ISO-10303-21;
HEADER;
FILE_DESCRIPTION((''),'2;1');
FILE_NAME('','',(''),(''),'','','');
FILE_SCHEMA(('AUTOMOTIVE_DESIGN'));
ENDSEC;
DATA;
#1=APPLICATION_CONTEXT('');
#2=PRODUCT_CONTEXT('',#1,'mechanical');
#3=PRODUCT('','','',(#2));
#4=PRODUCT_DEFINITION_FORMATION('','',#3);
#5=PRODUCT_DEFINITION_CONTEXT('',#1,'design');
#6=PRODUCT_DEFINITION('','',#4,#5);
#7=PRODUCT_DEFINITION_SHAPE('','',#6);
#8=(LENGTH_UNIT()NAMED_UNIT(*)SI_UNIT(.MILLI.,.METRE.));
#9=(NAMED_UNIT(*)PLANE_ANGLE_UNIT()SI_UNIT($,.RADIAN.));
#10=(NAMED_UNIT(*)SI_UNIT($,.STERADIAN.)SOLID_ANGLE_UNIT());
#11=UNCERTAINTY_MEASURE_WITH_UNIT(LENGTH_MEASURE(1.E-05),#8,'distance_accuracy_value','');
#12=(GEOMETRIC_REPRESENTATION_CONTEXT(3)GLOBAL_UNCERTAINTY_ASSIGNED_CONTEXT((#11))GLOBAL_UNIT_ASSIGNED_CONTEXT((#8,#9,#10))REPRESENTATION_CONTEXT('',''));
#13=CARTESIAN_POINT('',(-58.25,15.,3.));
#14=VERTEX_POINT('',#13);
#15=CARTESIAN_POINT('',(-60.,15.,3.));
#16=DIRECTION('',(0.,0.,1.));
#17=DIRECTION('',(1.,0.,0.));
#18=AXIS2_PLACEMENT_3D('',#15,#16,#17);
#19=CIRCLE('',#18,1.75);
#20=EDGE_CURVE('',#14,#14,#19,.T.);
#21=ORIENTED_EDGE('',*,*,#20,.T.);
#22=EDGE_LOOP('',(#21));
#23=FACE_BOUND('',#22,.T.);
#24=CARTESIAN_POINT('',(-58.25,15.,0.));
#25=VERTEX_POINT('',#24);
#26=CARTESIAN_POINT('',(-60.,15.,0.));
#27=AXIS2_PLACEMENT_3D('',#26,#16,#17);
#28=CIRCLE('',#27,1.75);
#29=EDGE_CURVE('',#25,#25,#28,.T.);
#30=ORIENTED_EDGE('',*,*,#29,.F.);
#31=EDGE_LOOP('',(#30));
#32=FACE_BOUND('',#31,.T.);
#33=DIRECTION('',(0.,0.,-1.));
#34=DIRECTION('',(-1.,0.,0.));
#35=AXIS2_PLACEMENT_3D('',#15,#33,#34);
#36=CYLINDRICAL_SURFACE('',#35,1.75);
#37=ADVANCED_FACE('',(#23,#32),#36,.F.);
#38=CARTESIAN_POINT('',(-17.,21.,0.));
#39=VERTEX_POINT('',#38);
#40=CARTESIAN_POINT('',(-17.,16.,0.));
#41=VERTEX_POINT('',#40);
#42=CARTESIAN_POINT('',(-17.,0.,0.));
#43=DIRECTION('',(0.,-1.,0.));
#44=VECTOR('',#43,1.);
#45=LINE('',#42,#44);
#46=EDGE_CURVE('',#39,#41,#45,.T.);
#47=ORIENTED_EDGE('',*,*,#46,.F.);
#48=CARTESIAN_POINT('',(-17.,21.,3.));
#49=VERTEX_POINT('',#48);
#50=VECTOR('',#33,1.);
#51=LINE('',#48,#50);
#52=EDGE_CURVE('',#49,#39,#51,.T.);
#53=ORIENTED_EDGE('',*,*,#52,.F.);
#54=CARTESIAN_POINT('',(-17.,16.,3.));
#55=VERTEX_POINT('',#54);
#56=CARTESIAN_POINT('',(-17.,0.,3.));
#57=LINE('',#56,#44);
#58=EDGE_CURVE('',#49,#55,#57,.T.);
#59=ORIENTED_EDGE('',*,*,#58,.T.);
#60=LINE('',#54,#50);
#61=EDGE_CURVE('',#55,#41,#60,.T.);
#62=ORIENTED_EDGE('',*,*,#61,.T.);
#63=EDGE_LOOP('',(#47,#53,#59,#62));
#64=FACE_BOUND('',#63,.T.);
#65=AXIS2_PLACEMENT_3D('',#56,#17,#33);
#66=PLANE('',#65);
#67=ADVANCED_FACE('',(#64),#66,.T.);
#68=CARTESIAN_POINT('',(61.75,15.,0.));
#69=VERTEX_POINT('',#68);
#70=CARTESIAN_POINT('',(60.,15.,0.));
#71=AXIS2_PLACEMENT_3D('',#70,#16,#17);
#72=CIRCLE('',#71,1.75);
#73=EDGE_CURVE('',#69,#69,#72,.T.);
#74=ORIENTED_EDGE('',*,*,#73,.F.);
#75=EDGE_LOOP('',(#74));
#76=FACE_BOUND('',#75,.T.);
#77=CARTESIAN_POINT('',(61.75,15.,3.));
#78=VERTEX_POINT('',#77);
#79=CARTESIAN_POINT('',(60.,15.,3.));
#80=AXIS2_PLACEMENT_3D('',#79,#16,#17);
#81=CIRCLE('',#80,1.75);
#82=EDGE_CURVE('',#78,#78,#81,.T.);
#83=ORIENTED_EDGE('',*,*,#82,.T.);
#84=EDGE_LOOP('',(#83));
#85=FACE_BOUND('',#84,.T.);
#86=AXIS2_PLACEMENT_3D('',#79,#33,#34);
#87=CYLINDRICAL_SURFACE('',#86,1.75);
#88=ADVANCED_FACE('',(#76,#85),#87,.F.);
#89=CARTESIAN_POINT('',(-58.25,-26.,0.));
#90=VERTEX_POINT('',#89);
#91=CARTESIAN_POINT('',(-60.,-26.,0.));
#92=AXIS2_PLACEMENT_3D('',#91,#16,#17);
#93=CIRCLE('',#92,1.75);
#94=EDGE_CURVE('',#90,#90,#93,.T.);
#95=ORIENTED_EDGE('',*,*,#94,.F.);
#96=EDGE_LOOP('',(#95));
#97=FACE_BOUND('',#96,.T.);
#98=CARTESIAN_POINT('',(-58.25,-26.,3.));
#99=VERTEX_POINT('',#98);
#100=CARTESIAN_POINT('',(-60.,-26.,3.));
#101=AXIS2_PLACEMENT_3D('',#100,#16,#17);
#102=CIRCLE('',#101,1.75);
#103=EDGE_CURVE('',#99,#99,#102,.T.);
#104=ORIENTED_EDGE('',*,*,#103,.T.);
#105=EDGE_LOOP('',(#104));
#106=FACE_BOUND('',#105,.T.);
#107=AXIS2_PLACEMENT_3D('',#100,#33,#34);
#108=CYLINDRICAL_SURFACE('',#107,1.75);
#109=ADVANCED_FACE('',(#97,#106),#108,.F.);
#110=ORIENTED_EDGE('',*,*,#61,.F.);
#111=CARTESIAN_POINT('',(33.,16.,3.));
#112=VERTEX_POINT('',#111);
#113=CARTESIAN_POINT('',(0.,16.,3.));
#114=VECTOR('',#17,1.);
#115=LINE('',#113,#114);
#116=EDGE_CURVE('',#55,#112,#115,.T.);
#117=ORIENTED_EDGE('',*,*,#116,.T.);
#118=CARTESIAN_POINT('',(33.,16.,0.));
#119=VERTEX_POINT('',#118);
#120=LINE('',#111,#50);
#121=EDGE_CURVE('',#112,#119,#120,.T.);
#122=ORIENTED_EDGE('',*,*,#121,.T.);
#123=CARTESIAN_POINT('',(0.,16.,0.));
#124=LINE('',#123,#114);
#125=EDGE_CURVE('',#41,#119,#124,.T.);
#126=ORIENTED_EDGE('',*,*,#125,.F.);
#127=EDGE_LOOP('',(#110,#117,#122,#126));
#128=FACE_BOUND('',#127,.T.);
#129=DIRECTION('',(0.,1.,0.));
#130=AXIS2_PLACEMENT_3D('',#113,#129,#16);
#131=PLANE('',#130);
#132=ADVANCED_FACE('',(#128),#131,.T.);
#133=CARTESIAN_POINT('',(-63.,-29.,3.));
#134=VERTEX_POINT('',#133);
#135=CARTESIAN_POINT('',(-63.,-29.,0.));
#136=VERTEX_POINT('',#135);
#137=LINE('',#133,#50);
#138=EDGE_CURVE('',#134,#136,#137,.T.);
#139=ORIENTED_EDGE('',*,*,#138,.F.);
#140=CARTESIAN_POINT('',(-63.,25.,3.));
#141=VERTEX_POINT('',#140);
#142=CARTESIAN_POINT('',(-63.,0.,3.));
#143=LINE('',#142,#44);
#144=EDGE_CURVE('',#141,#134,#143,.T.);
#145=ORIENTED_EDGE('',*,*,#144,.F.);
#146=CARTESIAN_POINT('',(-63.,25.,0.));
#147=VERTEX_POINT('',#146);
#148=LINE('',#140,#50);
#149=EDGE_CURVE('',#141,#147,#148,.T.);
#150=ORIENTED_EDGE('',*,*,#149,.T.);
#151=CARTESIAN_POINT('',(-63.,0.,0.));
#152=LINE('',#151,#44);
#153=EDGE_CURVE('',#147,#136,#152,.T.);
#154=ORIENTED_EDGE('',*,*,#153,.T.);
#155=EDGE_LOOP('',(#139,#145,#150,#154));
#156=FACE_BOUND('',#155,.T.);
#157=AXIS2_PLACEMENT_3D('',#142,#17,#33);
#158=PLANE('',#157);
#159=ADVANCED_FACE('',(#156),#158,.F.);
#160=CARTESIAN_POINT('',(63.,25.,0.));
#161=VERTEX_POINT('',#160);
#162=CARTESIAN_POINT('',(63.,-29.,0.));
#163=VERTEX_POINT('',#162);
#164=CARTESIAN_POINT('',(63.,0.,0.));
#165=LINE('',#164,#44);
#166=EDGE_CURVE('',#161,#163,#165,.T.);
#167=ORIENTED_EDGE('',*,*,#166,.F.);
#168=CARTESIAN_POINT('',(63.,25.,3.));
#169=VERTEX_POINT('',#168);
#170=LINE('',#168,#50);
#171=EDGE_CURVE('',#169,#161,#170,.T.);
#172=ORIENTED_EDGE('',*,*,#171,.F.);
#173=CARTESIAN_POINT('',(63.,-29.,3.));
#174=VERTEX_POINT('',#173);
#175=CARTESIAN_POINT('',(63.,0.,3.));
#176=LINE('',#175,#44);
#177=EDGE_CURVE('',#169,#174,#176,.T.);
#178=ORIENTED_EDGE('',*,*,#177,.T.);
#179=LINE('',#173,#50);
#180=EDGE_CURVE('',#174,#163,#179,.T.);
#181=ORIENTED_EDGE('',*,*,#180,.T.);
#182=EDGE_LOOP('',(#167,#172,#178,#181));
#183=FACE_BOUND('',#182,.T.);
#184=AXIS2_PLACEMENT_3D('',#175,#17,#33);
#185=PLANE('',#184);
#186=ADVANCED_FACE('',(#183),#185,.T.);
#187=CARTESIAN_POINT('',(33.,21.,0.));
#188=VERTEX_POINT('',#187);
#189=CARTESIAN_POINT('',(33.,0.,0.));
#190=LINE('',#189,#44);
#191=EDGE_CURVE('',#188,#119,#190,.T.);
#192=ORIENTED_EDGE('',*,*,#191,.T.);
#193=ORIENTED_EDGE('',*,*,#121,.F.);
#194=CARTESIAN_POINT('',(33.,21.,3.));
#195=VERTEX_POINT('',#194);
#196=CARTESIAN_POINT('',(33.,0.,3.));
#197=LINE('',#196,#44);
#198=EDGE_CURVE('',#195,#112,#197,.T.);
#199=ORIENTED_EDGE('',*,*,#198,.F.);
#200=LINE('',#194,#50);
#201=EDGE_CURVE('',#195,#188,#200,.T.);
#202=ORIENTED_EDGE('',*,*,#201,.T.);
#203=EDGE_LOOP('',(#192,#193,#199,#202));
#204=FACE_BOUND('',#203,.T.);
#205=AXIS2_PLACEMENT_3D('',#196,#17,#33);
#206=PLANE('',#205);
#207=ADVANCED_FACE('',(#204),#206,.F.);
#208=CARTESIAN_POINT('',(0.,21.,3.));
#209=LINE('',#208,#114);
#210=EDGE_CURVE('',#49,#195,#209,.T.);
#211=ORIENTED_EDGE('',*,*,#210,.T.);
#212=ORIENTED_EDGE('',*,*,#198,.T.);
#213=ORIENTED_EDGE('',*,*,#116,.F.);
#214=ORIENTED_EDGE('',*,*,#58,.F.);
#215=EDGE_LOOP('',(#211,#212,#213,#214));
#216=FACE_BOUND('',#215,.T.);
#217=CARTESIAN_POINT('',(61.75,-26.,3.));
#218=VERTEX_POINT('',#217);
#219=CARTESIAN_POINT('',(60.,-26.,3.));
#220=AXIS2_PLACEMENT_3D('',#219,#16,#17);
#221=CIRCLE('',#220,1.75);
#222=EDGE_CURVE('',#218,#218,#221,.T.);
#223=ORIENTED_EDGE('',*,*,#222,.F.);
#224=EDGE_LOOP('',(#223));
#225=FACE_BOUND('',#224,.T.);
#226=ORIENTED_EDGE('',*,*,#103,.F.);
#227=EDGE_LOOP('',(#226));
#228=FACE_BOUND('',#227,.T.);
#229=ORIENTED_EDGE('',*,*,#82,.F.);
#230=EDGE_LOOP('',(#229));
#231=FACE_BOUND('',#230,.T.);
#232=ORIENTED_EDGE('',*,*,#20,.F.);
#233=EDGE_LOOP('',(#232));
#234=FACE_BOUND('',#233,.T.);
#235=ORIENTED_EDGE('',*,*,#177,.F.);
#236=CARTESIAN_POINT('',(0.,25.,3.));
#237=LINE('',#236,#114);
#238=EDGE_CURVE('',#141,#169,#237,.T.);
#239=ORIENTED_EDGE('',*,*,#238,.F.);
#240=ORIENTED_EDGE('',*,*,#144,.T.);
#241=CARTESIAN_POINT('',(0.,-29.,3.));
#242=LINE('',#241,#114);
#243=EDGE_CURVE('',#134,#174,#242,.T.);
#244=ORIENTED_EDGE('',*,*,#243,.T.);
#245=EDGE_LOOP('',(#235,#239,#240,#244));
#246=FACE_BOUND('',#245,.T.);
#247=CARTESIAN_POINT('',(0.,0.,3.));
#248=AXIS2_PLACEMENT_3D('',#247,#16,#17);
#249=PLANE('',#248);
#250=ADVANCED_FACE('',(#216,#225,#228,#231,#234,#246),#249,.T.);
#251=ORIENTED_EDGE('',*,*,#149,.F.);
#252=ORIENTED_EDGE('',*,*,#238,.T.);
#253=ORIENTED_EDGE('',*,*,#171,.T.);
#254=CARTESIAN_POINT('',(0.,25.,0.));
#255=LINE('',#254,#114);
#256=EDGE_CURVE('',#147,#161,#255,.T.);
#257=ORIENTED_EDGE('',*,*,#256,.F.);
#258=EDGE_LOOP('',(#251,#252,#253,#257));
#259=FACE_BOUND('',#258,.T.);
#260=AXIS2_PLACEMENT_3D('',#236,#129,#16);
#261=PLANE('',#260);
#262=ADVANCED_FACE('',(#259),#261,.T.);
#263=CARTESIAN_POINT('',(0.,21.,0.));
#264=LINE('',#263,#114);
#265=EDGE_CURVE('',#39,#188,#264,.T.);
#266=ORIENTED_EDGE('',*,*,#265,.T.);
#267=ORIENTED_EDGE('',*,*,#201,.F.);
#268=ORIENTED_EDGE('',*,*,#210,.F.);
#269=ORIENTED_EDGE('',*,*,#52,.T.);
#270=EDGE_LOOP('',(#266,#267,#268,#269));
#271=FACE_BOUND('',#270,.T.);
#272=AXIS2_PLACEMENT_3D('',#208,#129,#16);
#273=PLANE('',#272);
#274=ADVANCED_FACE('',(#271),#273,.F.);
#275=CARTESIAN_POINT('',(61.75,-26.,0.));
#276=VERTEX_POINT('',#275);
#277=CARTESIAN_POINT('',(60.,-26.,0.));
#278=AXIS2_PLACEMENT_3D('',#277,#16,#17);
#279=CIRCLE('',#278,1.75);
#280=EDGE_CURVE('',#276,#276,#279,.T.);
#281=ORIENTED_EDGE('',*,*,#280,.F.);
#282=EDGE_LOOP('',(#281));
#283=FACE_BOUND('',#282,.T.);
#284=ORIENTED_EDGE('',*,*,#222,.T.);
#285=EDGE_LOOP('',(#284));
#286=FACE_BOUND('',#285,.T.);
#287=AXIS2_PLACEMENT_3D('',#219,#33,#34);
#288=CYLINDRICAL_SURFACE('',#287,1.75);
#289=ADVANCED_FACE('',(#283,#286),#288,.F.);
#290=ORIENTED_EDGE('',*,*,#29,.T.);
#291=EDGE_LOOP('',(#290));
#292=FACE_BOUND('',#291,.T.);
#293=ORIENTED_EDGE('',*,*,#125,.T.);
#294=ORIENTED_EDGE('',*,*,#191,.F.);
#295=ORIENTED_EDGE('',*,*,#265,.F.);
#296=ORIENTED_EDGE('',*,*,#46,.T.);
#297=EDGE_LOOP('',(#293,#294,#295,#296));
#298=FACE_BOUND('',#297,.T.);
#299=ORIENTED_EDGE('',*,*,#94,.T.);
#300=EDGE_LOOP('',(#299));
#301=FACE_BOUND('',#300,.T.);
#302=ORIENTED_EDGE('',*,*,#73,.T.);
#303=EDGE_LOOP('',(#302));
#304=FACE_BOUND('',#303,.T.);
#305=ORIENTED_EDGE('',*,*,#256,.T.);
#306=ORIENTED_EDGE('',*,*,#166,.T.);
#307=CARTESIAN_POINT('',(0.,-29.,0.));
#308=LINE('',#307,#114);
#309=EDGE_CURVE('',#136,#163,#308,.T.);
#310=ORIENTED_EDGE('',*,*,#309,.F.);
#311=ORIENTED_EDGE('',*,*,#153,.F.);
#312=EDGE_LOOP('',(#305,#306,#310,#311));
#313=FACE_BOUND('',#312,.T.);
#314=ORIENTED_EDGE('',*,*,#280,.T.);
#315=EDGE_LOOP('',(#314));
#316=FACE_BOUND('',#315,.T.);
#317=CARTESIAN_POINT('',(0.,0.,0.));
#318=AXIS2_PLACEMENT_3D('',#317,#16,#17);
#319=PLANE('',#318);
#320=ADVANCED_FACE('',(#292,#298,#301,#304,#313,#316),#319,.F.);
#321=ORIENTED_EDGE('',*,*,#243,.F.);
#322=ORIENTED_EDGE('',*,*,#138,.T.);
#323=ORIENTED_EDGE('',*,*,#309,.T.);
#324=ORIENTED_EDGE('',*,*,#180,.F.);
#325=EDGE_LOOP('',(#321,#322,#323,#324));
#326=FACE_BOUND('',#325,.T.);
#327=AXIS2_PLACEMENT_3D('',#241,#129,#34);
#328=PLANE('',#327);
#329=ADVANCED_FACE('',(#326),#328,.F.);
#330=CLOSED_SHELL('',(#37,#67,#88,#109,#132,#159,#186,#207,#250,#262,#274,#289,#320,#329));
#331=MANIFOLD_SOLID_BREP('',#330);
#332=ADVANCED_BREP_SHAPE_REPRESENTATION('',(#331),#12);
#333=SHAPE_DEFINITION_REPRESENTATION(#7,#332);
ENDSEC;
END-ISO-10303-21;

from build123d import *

# Parameters (mm, degrees)
SKETCH1_W           = 126
SKETCH1_H           = 54
SKETCH1_R           = 1.75
SKETCH1_W_2         = 50
SKETCH1_H_2         = 5
BOSS_EXTRUDE1_DEPTH = 3


with BuildPart() as part:
    # Sketch1 → Boss-Extrude1 (new body)
    with BuildSketch(Plane.XY):
        with Locations((0, -2)):
            Rectangle(SKETCH1_W, SKETCH1_H)
        with Locations((-60, 15)):
            Circle(SKETCH1_R, mode=Mode.SUBTRACT)
        with Locations((60, 15)):
            Circle(SKETCH1_R, mode=Mode.SUBTRACT)
        with Locations((60, -26)):
            Circle(SKETCH1_R, mode=Mode.SUBTRACT)
        with Locations((-60, -26)):
            Circle(SKETCH1_R, mode=Mode.SUBTRACT)
        with Locations((8, 18.5)):
            Rectangle(SKETCH1_W_2, SKETCH1_H_2, mode=Mode.SUBTRACT)
    extrude(amount=BOSS_EXTRUDE1_DEPTH)


solid = part.part
